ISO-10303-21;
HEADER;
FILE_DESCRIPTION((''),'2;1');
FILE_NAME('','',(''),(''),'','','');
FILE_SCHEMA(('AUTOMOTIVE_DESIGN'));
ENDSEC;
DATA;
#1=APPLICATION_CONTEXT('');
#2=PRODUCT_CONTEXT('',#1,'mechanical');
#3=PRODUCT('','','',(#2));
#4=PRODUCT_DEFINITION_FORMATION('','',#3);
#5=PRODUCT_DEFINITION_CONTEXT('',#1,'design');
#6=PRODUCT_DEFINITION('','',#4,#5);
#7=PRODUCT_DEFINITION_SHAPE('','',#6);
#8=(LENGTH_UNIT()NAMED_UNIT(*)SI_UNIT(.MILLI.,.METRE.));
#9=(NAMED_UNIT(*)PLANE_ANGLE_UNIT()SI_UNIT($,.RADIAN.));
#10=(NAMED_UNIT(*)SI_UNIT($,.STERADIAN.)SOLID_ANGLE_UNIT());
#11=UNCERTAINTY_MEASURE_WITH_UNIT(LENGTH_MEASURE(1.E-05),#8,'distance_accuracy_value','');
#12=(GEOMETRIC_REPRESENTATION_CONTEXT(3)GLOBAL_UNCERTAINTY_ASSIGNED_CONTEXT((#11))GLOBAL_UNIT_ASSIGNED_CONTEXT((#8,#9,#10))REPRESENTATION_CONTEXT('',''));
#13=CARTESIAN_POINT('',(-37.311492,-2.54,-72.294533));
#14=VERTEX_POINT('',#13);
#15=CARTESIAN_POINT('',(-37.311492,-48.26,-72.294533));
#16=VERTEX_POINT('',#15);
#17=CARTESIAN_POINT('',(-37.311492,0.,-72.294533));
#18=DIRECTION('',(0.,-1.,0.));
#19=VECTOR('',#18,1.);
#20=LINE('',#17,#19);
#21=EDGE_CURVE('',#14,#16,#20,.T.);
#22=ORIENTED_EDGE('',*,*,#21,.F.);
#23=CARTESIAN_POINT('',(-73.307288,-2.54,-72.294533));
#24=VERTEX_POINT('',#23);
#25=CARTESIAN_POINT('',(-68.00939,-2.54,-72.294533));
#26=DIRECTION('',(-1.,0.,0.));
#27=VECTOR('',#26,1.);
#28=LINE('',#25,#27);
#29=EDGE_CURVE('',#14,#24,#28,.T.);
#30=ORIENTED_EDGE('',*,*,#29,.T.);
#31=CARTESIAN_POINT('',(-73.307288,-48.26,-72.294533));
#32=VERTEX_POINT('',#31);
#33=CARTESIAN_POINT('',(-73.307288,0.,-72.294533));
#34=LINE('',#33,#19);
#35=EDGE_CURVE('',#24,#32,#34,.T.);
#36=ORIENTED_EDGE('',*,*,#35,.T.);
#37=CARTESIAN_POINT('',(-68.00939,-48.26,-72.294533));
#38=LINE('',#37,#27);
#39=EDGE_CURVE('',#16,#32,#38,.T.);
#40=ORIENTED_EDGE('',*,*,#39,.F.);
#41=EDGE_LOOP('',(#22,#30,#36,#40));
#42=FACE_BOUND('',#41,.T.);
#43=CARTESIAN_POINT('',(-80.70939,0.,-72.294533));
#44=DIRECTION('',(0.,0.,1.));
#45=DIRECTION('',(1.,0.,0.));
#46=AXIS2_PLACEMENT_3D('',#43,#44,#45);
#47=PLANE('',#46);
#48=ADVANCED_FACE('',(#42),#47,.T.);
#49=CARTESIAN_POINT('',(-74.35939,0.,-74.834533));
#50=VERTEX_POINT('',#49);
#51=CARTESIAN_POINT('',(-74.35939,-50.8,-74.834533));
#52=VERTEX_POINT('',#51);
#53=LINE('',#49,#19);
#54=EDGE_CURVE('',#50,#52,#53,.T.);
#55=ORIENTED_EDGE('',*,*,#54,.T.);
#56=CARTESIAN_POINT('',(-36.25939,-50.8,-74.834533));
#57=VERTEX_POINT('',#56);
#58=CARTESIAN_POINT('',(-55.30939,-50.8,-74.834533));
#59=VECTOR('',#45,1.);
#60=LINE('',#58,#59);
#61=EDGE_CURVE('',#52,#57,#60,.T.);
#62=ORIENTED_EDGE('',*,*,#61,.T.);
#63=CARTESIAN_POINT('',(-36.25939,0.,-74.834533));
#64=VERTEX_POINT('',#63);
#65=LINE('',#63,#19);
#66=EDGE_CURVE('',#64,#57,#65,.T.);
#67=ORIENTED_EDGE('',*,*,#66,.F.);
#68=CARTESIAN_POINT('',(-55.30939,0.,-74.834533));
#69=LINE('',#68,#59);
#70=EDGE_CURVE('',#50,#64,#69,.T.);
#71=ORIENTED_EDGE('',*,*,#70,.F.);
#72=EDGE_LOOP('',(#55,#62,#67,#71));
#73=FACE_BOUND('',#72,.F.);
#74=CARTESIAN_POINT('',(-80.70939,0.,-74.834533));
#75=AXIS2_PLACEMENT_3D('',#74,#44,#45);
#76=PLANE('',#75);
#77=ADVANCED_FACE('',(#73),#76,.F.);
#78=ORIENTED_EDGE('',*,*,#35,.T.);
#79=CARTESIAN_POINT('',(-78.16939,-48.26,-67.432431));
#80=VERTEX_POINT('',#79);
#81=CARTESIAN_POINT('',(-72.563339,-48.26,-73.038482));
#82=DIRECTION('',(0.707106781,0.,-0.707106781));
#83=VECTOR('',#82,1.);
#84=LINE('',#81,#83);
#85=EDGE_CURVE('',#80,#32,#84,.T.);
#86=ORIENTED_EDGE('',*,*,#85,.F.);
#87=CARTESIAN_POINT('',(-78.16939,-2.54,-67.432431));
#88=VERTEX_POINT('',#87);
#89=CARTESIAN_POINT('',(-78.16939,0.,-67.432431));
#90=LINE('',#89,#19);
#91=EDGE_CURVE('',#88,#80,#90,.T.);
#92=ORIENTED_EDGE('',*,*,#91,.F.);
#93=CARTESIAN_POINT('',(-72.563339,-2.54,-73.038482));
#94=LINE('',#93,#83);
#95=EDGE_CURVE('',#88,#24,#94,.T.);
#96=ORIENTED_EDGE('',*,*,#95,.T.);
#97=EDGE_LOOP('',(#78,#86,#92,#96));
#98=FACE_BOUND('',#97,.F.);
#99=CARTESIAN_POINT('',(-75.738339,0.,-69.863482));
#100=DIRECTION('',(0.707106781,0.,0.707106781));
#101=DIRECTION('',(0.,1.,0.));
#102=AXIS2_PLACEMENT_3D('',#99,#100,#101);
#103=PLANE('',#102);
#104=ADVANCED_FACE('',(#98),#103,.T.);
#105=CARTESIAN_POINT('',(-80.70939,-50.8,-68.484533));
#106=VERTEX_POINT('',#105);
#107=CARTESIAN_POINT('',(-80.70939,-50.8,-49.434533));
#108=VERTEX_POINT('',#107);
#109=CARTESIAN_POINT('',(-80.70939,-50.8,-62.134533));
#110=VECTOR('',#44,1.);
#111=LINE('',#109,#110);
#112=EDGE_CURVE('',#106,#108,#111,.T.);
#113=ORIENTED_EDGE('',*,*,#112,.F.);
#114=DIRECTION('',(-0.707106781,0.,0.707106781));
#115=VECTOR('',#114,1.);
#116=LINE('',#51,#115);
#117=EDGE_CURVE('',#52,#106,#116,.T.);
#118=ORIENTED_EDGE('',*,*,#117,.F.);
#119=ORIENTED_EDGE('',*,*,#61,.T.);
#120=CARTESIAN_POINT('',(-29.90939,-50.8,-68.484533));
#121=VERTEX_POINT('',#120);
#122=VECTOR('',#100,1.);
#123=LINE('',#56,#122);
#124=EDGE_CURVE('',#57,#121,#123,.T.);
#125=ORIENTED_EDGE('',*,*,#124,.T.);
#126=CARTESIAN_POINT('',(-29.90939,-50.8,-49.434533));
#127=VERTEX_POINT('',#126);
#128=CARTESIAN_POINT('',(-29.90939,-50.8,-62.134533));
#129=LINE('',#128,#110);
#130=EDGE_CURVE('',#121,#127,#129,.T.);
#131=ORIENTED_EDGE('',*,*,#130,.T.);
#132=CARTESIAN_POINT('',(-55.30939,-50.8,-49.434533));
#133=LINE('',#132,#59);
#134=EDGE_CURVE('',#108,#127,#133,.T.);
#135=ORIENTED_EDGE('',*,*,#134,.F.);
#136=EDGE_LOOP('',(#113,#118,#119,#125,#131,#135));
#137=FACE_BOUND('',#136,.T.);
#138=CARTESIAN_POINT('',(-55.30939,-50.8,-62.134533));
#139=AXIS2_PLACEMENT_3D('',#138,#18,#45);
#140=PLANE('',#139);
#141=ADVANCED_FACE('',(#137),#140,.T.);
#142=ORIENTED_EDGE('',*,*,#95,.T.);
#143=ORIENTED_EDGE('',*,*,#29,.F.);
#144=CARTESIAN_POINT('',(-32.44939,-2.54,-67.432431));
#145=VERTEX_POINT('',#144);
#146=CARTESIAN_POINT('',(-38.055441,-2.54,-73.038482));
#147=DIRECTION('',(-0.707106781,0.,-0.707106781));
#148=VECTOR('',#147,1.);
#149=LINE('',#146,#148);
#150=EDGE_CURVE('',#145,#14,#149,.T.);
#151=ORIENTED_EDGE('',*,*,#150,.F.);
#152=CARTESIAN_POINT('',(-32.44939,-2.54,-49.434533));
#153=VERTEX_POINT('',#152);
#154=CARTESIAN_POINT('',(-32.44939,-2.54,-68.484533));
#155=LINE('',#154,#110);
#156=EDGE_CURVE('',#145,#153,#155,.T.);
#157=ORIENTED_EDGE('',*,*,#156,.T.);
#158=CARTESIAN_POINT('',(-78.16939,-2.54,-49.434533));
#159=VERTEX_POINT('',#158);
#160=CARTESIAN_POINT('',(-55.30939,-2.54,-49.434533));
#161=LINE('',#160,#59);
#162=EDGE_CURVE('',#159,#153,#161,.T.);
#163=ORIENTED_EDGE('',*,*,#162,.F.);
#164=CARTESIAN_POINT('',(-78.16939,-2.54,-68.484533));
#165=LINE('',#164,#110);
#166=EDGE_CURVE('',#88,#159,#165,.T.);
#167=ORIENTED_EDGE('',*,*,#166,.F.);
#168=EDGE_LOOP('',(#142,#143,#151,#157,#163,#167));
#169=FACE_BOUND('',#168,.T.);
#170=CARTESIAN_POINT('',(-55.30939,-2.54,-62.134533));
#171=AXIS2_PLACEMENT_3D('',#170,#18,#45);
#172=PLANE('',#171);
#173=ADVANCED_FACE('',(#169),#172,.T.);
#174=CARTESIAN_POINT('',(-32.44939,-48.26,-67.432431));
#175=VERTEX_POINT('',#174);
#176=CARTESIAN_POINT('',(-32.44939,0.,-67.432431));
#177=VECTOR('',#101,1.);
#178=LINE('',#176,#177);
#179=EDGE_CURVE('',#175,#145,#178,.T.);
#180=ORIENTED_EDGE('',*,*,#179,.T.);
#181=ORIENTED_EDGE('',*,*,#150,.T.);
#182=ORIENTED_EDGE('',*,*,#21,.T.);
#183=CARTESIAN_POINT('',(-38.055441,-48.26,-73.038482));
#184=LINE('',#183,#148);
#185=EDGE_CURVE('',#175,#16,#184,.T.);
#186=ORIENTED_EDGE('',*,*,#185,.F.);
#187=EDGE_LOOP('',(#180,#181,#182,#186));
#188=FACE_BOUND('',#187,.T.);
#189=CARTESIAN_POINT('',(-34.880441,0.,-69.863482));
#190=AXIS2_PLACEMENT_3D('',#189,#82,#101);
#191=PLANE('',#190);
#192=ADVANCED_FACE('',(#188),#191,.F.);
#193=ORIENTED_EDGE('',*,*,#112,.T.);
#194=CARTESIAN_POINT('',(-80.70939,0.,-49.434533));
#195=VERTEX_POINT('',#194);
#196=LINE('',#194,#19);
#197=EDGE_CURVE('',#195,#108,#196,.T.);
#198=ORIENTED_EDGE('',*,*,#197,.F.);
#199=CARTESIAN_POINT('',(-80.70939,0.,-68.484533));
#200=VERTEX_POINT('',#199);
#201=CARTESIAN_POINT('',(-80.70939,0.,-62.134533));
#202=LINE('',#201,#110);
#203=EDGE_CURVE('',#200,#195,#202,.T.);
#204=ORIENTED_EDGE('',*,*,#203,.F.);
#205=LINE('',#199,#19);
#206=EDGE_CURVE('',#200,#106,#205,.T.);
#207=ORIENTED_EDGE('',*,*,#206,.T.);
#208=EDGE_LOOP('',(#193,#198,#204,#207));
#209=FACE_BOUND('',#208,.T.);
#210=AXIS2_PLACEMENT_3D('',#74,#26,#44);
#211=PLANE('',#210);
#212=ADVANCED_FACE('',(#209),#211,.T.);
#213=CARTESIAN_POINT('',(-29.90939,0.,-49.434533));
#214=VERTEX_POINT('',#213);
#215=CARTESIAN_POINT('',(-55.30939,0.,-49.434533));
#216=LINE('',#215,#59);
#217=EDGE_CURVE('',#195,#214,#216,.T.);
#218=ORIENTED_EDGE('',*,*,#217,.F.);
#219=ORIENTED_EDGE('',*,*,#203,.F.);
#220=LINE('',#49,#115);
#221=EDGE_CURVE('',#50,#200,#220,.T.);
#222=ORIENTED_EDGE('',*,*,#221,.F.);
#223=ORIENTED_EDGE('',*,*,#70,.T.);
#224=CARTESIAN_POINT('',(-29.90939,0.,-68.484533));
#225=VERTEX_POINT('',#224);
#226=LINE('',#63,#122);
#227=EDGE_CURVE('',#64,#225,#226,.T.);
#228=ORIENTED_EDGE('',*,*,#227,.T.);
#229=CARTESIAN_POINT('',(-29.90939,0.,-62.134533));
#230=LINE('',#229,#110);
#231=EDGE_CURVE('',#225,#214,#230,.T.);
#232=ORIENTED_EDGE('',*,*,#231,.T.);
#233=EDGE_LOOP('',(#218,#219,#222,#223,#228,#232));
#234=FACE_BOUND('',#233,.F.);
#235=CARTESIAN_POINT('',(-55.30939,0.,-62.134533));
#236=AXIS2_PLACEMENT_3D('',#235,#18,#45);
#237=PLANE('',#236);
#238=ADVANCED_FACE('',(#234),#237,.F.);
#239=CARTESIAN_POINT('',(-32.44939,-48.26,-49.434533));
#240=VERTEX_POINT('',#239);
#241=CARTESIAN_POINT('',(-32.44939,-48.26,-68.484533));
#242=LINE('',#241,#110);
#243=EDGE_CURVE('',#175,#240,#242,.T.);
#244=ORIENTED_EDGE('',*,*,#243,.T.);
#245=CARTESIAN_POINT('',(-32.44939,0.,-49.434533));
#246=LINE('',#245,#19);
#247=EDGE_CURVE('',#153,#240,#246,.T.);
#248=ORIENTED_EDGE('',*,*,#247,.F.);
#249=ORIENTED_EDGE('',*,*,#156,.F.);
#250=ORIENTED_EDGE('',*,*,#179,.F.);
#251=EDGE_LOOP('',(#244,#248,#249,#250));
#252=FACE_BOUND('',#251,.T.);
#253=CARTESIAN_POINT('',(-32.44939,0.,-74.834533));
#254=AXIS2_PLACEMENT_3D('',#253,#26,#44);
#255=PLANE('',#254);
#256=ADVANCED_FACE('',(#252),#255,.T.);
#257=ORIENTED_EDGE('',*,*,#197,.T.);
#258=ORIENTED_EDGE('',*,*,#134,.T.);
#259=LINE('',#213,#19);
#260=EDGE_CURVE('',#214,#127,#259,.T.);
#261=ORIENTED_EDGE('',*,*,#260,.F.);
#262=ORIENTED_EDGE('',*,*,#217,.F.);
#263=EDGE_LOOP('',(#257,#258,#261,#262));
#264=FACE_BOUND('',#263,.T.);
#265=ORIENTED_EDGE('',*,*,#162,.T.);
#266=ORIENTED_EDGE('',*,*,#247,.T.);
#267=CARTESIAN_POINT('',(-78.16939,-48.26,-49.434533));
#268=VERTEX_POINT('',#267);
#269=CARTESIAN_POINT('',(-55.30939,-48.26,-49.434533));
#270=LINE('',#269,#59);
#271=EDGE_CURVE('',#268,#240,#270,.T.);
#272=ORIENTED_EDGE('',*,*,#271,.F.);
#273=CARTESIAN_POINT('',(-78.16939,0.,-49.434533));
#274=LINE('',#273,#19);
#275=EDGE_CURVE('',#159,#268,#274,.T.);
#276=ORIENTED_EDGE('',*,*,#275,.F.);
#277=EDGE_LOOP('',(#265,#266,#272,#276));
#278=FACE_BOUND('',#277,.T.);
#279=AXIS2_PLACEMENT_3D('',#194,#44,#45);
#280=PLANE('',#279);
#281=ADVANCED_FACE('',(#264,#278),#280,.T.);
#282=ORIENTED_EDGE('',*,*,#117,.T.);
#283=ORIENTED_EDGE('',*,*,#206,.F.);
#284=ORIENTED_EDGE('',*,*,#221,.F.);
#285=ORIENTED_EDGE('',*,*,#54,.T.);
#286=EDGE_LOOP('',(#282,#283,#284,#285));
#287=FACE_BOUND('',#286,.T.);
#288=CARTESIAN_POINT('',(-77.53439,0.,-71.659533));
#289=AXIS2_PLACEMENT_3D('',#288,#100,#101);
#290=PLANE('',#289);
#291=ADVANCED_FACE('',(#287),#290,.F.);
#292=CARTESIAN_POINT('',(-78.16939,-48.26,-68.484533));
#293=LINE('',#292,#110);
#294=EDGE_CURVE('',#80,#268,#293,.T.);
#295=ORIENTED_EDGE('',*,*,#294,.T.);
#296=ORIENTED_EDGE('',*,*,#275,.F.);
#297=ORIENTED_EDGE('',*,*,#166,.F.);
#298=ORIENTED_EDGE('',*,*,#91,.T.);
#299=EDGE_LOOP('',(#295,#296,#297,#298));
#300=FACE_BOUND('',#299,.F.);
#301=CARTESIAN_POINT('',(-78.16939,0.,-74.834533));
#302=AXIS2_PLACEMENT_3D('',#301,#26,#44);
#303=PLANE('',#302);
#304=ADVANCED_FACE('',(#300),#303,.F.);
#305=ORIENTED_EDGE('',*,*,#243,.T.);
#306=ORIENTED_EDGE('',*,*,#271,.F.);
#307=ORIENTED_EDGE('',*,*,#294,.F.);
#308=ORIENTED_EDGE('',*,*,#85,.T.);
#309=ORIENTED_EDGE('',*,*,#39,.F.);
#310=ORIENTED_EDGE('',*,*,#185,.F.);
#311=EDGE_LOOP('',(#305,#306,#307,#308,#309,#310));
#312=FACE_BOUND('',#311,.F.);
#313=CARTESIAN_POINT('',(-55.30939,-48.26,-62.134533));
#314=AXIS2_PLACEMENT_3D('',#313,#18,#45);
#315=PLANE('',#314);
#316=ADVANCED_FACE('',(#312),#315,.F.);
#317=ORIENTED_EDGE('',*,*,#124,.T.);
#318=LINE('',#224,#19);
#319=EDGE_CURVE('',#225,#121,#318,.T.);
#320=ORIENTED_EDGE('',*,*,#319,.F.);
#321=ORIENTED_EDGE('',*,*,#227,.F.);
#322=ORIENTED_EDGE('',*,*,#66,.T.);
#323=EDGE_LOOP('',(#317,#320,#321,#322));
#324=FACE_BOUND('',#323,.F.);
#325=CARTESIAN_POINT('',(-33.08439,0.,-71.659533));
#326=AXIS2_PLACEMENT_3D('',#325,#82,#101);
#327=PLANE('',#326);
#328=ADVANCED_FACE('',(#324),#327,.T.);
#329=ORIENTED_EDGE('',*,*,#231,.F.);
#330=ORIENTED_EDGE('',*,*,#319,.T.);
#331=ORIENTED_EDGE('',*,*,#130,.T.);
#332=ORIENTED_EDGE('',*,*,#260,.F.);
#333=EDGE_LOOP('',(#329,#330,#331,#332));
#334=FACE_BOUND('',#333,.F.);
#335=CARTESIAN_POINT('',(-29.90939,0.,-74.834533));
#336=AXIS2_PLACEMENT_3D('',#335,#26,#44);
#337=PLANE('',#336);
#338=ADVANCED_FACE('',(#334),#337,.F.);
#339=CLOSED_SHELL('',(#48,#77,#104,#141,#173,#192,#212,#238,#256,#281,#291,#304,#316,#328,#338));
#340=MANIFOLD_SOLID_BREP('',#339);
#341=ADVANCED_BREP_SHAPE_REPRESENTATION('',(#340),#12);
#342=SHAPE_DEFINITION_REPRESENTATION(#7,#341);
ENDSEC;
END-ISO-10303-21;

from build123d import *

# Parameters (mm, degrees)
F0_W     = 50.8
F0_H     = 25.4
F1_DEPTH = 50.8
F2_SIZE  = 6.35
F3_SIZE  = 6.35
F4_T     = -2.54


with BuildPart() as f1:
    # F0 (on Front) → F1 (new body)
    with BuildSketch(Plane.XZ):
        with Locations((-55.30939, -62.134533)):
            Rectangle(F0_W, F0_H)
    extrude(amount=F1_DEPTH)

    # F2
    f2_edges = [f1.edges().sort_by_distance(p)[0] for p in [
        (-29.90939, -25.4, -74.834533),
    ]]
    chamfer(f2_edges, length=F2_SIZE)

    # F3
    f3_edges = [f1.edges().sort_by_distance(p)[0] for p in [
        (-80.70939, -25.4, -74.834533),
    ]]
    chamfer(f3_edges, length=F3_SIZE)

    # F4
    f4_openings = [f1.faces().sort_by_distance(p)[0] for p in [
        (-55.30939, -25.4, -49.434533),
    ]]
    offset(amount=F4_T, openings=f4_openings)


solid = f1.part
